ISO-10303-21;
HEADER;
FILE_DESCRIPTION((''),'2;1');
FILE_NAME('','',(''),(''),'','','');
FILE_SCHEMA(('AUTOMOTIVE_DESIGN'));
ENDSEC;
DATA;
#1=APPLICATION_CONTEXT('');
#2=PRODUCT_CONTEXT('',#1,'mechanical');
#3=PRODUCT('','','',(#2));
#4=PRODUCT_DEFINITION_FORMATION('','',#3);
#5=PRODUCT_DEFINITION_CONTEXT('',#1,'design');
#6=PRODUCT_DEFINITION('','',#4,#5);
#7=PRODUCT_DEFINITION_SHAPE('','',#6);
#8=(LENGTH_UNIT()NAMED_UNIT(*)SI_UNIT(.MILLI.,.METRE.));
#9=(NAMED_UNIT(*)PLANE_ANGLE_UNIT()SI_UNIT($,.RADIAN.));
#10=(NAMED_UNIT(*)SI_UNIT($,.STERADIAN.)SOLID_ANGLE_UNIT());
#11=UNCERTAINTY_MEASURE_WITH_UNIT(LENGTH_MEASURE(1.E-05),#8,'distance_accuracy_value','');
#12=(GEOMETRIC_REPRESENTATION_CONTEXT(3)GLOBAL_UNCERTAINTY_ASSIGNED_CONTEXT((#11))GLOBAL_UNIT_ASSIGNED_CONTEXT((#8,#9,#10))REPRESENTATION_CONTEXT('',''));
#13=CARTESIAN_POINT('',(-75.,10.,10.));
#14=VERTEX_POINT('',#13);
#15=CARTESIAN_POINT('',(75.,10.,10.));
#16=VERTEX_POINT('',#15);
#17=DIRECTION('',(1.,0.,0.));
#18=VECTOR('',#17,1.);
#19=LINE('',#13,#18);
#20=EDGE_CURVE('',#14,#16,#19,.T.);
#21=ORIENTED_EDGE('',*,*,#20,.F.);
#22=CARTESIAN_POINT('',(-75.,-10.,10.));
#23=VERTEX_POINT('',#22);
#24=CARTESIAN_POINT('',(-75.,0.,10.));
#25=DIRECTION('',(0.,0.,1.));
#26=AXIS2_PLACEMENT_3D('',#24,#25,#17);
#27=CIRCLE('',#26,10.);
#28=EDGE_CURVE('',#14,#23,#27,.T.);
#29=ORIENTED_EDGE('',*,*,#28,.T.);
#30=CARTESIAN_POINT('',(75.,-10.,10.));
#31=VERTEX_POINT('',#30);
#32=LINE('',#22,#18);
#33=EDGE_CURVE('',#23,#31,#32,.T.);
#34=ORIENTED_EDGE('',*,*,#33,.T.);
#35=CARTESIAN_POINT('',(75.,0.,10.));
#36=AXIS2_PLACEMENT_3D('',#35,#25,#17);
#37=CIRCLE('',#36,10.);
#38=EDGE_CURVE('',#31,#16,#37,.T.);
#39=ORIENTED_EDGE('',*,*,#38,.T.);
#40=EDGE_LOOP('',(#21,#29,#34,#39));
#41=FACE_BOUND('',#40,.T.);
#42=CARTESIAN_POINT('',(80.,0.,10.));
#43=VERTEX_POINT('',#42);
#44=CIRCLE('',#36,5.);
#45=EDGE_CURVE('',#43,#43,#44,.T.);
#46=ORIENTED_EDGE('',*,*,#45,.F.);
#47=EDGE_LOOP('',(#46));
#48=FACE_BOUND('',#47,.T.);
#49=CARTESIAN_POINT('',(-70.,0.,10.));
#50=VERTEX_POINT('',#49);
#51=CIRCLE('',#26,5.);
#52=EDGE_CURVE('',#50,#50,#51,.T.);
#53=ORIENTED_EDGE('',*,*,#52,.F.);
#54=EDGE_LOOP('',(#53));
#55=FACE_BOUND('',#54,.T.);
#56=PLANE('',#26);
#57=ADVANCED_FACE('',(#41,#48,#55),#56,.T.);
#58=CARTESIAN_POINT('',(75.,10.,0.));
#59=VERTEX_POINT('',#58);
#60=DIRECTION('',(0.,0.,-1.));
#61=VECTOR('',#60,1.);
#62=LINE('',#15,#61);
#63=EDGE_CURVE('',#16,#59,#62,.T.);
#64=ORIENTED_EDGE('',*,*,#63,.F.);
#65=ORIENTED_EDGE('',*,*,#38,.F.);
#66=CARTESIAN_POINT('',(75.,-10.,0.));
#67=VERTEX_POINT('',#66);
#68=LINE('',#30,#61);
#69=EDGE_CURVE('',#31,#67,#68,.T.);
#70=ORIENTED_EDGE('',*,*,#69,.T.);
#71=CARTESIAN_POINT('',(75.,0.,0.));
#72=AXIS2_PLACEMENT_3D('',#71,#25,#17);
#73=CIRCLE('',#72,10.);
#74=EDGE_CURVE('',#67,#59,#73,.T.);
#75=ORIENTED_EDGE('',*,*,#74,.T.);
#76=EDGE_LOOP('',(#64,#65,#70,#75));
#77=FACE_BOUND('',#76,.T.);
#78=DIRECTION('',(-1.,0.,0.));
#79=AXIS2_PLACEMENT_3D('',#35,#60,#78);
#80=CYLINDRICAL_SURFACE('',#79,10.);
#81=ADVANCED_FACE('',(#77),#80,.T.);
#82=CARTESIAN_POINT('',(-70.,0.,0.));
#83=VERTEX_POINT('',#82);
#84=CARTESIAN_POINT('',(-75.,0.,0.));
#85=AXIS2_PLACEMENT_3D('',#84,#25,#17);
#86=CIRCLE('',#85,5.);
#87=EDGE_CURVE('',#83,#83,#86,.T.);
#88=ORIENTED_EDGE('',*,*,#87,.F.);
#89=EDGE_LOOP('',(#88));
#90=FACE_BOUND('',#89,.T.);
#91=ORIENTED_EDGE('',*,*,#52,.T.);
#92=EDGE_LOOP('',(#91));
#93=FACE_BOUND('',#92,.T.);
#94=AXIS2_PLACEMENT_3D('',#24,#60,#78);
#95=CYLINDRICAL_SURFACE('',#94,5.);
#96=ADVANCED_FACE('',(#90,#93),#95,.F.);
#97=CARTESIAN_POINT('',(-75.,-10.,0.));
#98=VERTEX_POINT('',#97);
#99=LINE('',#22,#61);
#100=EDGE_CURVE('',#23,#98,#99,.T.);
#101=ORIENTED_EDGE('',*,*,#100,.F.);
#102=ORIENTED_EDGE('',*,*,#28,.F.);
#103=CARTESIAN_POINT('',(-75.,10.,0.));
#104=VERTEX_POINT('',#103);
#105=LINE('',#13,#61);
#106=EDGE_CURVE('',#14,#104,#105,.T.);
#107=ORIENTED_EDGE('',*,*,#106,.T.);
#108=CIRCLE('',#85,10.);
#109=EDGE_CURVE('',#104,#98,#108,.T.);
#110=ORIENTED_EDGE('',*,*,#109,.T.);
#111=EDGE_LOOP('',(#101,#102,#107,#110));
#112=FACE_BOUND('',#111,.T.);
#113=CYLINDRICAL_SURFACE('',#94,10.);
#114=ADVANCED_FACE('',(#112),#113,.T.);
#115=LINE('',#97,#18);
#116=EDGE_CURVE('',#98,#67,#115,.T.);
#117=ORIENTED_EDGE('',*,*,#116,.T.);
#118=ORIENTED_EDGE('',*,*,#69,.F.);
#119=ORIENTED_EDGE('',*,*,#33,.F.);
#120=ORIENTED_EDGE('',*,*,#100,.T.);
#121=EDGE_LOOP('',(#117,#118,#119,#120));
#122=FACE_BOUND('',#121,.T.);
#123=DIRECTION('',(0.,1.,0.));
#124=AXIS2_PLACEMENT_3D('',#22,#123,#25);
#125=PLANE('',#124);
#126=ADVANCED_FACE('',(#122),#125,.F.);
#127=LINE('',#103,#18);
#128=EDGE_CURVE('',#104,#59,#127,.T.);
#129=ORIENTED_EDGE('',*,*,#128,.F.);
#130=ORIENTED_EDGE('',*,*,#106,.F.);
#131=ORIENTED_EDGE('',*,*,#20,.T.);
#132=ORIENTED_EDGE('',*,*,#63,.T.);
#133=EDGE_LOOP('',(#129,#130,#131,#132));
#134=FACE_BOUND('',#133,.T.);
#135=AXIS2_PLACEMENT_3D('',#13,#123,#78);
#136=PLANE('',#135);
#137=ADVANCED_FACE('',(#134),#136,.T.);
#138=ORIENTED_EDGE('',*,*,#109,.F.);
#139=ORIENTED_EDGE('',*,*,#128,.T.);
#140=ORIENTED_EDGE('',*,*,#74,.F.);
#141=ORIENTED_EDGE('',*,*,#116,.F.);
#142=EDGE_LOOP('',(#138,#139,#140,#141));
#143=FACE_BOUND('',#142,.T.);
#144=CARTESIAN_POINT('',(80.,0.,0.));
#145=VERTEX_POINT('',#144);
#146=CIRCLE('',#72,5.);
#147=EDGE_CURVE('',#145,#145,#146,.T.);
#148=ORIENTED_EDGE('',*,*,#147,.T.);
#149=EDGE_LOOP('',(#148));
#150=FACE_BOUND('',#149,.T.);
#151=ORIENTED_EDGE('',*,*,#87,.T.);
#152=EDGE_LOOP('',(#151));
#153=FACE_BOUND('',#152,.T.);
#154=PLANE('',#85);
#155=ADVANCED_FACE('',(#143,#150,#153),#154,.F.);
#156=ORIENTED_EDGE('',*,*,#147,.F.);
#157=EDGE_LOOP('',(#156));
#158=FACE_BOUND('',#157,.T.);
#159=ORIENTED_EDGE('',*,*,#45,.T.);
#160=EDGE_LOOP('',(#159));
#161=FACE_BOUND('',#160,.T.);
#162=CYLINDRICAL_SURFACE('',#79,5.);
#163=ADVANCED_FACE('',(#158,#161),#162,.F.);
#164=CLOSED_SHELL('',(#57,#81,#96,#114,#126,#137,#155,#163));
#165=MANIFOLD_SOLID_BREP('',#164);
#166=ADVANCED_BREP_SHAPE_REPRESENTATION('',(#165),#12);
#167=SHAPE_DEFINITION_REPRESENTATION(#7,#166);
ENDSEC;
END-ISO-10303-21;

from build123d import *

# Parameters (mm, degrees)
SKETCH1_R           = 5
BOSS_EXTRUDE3_DEPTH = 10


with BuildPart() as part:
    # Sketch1 → Boss-Extrude3 (new body)
    with BuildSketch(Plane.XY):
        with BuildLine():
            Line((-75, 10), (75, 10))
            ThreePointArc((75, 10), (85, 0), (75, -10))
            Line((75, -10), (-75, -10))
            ThreePointArc((-75, -10), (-85, 0), (-75, 10))
        make_face()
        with Locations((-75, 0)):
            Circle(SKETCH1_R, mode=Mode.SUBTRACT)
        with Locations((75, 0)):
            Circle(SKETCH1_R, mode=Mode.SUBTRACT)
    extrude(amount=BOSS_EXTRUDE3_DEPTH)


solid = part.part
